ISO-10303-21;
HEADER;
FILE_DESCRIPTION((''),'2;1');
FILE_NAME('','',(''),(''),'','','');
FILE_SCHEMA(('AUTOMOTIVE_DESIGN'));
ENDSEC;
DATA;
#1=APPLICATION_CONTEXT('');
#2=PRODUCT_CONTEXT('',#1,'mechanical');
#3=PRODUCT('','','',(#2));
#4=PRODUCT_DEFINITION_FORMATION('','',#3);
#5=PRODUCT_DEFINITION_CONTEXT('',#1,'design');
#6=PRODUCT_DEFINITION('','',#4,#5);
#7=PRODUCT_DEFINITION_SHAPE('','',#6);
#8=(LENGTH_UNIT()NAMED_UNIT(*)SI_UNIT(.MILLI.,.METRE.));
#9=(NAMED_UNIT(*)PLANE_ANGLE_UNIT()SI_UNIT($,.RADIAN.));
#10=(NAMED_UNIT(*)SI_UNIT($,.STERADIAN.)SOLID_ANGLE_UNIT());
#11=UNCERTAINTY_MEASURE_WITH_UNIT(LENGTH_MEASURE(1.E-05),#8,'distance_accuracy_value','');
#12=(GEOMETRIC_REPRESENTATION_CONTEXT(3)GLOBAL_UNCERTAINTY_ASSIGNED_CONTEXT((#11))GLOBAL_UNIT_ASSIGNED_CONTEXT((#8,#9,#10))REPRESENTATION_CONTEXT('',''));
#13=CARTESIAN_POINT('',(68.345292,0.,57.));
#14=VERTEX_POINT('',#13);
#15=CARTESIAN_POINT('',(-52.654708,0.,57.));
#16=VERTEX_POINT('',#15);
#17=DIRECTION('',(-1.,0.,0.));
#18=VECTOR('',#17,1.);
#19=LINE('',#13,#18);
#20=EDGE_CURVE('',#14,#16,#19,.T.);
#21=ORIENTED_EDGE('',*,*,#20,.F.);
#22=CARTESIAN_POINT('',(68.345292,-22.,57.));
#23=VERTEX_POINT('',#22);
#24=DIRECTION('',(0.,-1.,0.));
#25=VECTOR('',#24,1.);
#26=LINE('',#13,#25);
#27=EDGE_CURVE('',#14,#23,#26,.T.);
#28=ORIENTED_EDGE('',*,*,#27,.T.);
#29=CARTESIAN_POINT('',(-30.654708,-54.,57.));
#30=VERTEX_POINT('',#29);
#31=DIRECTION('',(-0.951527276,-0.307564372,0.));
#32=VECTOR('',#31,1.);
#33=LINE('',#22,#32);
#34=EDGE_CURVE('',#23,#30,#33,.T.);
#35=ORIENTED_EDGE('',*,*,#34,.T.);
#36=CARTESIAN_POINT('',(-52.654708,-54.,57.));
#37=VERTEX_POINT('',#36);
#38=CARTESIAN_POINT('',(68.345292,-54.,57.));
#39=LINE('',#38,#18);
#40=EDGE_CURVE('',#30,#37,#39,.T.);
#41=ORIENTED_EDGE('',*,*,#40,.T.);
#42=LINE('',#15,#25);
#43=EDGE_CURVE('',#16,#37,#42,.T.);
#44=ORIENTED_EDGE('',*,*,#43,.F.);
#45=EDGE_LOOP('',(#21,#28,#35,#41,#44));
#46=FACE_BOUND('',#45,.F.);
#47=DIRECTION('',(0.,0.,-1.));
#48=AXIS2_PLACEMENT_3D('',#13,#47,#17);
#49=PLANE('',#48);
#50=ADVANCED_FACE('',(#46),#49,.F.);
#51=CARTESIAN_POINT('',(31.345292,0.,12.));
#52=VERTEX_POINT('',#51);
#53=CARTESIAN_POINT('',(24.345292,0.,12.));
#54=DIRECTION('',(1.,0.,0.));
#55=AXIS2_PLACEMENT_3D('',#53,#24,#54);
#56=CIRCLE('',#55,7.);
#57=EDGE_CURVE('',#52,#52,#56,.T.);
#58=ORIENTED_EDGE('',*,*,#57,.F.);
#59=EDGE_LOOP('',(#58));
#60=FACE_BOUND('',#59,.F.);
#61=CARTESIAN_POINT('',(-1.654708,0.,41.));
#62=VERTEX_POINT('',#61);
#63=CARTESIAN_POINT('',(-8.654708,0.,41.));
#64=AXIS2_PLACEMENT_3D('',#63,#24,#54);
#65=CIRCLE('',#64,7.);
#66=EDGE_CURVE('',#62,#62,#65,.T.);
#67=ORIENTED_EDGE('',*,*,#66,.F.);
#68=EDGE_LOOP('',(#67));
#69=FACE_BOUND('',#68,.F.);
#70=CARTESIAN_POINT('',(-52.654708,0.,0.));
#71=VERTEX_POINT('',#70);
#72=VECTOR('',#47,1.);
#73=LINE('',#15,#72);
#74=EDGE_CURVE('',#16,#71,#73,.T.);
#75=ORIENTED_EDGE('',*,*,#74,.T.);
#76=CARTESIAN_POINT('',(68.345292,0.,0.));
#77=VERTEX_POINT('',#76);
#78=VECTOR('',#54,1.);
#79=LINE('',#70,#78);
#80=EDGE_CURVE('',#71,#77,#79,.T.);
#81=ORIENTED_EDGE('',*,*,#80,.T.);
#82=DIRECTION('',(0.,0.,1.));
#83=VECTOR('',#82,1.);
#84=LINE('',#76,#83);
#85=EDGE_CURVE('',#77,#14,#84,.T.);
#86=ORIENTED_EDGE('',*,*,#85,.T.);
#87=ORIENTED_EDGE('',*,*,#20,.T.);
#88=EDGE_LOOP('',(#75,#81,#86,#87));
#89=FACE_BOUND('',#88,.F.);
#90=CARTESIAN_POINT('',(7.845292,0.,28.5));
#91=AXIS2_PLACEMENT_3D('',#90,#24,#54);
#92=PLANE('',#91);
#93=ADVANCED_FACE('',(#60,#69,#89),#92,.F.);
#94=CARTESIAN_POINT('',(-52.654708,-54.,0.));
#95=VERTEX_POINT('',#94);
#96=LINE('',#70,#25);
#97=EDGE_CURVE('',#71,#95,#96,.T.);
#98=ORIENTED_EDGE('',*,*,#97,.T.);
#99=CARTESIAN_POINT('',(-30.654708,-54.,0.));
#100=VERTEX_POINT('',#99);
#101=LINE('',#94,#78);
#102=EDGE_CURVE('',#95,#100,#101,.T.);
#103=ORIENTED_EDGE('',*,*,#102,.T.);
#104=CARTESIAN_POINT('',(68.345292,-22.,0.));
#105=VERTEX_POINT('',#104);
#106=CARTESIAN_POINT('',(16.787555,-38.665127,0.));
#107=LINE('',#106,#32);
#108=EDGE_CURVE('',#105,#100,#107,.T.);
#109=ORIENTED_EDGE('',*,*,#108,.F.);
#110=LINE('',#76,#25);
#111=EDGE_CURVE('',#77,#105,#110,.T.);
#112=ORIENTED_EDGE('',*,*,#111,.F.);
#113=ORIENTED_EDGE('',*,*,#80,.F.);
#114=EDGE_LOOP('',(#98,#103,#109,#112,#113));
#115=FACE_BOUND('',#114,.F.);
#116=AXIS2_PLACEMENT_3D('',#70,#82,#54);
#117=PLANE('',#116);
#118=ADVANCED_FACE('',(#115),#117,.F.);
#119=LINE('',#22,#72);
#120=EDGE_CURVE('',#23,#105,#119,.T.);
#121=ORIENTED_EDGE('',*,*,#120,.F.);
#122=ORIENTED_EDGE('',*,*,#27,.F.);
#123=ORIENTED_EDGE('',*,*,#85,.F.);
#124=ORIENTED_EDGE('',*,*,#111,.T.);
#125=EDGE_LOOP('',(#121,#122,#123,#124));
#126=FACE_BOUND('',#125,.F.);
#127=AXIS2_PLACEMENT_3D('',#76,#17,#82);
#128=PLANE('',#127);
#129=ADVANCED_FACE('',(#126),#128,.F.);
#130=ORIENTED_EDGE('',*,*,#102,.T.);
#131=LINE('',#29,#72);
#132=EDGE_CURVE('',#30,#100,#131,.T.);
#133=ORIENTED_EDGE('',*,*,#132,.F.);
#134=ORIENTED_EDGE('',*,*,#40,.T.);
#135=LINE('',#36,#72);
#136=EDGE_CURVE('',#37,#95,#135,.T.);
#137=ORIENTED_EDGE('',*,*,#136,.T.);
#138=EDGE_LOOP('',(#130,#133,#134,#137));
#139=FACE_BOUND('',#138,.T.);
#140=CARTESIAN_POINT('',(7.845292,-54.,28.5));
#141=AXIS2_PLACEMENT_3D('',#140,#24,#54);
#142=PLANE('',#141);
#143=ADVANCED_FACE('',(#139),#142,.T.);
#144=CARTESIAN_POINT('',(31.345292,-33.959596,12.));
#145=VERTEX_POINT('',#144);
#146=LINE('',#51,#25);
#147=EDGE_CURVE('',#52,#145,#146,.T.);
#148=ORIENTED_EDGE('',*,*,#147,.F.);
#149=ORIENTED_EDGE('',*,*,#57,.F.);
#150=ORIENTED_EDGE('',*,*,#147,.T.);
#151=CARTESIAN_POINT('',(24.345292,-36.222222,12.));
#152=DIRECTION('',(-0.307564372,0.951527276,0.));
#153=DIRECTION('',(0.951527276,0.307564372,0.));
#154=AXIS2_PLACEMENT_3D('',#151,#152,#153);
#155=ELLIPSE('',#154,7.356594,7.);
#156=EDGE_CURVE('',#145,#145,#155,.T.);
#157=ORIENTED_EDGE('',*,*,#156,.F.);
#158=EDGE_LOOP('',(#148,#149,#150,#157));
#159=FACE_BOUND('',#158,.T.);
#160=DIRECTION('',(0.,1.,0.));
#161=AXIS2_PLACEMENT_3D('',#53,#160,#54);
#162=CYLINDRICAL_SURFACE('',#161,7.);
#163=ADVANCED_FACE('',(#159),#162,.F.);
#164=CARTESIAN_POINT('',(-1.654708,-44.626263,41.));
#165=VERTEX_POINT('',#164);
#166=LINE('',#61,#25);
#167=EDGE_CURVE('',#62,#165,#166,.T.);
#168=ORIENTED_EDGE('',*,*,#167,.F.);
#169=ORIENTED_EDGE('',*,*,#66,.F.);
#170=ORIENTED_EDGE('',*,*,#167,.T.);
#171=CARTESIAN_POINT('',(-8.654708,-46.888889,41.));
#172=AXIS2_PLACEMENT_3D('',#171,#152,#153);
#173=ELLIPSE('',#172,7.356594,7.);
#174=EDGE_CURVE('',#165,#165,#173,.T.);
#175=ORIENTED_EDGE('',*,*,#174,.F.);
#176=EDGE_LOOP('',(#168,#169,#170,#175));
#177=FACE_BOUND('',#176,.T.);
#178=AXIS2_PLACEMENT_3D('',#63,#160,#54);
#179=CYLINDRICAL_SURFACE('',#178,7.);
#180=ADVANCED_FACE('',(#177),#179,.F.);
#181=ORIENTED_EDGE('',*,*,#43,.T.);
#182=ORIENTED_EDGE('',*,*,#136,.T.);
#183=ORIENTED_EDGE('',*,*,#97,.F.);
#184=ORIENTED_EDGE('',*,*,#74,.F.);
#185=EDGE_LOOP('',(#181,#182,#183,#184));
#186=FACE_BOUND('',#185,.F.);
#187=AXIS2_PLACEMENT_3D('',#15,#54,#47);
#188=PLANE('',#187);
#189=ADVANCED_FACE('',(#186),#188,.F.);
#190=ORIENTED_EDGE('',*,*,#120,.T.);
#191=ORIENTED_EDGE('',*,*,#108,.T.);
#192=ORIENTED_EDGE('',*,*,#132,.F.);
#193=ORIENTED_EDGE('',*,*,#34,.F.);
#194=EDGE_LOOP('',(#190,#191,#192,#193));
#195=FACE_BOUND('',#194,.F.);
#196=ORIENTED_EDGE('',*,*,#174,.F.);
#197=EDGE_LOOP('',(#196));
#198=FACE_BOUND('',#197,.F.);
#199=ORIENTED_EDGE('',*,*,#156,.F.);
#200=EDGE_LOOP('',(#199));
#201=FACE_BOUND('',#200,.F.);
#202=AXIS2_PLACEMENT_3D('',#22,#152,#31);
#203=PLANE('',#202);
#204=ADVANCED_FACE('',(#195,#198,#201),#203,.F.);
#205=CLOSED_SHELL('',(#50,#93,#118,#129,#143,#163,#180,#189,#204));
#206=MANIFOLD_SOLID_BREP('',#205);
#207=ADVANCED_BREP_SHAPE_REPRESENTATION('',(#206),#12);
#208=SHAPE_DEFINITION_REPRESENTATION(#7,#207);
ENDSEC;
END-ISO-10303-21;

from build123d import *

# Parameters (mm, degrees)
F0_R     = 7
F1_DEPTH = 54
F3_DEPTH = 57.001


with BuildPart() as f1:
    # F0 (on Front) → F1 (new body)
    with BuildSketch(Plane.XZ):
        Polygon((9.345292, 57), (-52.654708, 57), (-52.654708, 46), (-30.654708, 28.847458), (6.345292, 0), (68.345292, 0), (68.345292, 11), align=None)
        with Locations((24.345292, 12)):
            Circle(F0_R, mode=Mode.SUBTRACT)
        with Locations((-8.654708, 41)):
            Circle(F0_R, mode=Mode.SUBTRACT)
        Polygon((-30.654708, 28.847458), (-52.654708, 46), (-52.654708, 0), (-30.654708, 0), align=None)
        Polygon((68.345292, 57), (9.345292, 57), (68.345292, 11), align=None)
        Polygon((6.345292, 0), (-30.654708, 28.847458), (-30.654708, 0), align=None)
    extrude(amount=F1_DEPTH)

    # F2 (on face) → F3 (cut, through all)
    with BuildSketch(Plane.XY.offset(57)):
        Polygon((68.345292, -22), (-30.654708, -54), (68.345292, -54), align=None)
    extrude(amount=-F3_DEPTH, mode=Mode.SUBTRACT)


solid = f1.part
